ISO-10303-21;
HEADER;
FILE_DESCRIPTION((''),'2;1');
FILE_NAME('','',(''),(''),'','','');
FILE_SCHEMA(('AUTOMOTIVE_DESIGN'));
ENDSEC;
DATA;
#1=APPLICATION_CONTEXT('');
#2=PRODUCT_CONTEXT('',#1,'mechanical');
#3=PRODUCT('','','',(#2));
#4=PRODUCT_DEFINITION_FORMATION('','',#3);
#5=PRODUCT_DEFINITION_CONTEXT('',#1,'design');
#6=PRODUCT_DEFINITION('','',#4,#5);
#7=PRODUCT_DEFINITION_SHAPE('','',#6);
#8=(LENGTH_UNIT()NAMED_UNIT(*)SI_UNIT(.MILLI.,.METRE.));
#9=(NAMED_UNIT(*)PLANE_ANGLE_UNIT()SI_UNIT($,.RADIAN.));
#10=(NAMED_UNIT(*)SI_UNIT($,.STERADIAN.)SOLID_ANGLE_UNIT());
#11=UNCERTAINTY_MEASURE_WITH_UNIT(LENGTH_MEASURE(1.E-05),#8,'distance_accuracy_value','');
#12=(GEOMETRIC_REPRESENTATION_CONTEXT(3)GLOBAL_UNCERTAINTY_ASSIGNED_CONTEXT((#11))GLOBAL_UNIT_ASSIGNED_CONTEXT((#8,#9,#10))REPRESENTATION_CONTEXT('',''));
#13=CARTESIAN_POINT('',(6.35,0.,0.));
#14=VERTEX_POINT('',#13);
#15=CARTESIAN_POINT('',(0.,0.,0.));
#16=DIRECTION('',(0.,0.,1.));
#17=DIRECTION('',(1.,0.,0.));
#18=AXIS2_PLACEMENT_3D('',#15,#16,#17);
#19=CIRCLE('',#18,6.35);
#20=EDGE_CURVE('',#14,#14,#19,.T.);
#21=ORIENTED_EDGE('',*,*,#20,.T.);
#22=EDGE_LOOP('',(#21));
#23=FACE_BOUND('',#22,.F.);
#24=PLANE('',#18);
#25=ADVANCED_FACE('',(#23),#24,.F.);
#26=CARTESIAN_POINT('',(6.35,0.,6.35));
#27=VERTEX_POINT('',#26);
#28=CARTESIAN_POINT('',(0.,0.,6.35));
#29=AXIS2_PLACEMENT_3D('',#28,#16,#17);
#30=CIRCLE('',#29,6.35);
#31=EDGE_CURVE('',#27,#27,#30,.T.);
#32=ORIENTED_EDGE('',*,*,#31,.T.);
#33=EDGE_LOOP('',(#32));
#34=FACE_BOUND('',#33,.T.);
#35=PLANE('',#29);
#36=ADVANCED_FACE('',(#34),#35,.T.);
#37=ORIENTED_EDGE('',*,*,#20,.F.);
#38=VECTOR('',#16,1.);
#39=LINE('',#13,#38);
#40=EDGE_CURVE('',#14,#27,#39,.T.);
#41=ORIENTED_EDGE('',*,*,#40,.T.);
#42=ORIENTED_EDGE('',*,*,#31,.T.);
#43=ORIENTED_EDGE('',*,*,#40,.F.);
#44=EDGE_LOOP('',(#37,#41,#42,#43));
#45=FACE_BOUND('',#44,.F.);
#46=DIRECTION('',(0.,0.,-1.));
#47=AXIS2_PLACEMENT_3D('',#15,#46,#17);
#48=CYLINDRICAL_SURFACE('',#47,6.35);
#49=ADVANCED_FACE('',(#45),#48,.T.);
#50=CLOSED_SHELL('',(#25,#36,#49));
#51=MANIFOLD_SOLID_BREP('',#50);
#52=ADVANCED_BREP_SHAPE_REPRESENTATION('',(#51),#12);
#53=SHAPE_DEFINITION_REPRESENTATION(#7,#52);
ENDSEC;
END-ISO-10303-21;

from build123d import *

# Parameters (mm, degrees)
SKETCH1_R           = 6.35
BOSS_EXTRUDE1_DEPTH = 6.35


with BuildPart() as part:
    # Sketch1 → Boss-Extrude1 (new body)
    with BuildSketch(Plane.XY):
        Circle(SKETCH1_R)
    extrude(amount=BOSS_EXTRUDE1_DEPTH)


solid = part.part
